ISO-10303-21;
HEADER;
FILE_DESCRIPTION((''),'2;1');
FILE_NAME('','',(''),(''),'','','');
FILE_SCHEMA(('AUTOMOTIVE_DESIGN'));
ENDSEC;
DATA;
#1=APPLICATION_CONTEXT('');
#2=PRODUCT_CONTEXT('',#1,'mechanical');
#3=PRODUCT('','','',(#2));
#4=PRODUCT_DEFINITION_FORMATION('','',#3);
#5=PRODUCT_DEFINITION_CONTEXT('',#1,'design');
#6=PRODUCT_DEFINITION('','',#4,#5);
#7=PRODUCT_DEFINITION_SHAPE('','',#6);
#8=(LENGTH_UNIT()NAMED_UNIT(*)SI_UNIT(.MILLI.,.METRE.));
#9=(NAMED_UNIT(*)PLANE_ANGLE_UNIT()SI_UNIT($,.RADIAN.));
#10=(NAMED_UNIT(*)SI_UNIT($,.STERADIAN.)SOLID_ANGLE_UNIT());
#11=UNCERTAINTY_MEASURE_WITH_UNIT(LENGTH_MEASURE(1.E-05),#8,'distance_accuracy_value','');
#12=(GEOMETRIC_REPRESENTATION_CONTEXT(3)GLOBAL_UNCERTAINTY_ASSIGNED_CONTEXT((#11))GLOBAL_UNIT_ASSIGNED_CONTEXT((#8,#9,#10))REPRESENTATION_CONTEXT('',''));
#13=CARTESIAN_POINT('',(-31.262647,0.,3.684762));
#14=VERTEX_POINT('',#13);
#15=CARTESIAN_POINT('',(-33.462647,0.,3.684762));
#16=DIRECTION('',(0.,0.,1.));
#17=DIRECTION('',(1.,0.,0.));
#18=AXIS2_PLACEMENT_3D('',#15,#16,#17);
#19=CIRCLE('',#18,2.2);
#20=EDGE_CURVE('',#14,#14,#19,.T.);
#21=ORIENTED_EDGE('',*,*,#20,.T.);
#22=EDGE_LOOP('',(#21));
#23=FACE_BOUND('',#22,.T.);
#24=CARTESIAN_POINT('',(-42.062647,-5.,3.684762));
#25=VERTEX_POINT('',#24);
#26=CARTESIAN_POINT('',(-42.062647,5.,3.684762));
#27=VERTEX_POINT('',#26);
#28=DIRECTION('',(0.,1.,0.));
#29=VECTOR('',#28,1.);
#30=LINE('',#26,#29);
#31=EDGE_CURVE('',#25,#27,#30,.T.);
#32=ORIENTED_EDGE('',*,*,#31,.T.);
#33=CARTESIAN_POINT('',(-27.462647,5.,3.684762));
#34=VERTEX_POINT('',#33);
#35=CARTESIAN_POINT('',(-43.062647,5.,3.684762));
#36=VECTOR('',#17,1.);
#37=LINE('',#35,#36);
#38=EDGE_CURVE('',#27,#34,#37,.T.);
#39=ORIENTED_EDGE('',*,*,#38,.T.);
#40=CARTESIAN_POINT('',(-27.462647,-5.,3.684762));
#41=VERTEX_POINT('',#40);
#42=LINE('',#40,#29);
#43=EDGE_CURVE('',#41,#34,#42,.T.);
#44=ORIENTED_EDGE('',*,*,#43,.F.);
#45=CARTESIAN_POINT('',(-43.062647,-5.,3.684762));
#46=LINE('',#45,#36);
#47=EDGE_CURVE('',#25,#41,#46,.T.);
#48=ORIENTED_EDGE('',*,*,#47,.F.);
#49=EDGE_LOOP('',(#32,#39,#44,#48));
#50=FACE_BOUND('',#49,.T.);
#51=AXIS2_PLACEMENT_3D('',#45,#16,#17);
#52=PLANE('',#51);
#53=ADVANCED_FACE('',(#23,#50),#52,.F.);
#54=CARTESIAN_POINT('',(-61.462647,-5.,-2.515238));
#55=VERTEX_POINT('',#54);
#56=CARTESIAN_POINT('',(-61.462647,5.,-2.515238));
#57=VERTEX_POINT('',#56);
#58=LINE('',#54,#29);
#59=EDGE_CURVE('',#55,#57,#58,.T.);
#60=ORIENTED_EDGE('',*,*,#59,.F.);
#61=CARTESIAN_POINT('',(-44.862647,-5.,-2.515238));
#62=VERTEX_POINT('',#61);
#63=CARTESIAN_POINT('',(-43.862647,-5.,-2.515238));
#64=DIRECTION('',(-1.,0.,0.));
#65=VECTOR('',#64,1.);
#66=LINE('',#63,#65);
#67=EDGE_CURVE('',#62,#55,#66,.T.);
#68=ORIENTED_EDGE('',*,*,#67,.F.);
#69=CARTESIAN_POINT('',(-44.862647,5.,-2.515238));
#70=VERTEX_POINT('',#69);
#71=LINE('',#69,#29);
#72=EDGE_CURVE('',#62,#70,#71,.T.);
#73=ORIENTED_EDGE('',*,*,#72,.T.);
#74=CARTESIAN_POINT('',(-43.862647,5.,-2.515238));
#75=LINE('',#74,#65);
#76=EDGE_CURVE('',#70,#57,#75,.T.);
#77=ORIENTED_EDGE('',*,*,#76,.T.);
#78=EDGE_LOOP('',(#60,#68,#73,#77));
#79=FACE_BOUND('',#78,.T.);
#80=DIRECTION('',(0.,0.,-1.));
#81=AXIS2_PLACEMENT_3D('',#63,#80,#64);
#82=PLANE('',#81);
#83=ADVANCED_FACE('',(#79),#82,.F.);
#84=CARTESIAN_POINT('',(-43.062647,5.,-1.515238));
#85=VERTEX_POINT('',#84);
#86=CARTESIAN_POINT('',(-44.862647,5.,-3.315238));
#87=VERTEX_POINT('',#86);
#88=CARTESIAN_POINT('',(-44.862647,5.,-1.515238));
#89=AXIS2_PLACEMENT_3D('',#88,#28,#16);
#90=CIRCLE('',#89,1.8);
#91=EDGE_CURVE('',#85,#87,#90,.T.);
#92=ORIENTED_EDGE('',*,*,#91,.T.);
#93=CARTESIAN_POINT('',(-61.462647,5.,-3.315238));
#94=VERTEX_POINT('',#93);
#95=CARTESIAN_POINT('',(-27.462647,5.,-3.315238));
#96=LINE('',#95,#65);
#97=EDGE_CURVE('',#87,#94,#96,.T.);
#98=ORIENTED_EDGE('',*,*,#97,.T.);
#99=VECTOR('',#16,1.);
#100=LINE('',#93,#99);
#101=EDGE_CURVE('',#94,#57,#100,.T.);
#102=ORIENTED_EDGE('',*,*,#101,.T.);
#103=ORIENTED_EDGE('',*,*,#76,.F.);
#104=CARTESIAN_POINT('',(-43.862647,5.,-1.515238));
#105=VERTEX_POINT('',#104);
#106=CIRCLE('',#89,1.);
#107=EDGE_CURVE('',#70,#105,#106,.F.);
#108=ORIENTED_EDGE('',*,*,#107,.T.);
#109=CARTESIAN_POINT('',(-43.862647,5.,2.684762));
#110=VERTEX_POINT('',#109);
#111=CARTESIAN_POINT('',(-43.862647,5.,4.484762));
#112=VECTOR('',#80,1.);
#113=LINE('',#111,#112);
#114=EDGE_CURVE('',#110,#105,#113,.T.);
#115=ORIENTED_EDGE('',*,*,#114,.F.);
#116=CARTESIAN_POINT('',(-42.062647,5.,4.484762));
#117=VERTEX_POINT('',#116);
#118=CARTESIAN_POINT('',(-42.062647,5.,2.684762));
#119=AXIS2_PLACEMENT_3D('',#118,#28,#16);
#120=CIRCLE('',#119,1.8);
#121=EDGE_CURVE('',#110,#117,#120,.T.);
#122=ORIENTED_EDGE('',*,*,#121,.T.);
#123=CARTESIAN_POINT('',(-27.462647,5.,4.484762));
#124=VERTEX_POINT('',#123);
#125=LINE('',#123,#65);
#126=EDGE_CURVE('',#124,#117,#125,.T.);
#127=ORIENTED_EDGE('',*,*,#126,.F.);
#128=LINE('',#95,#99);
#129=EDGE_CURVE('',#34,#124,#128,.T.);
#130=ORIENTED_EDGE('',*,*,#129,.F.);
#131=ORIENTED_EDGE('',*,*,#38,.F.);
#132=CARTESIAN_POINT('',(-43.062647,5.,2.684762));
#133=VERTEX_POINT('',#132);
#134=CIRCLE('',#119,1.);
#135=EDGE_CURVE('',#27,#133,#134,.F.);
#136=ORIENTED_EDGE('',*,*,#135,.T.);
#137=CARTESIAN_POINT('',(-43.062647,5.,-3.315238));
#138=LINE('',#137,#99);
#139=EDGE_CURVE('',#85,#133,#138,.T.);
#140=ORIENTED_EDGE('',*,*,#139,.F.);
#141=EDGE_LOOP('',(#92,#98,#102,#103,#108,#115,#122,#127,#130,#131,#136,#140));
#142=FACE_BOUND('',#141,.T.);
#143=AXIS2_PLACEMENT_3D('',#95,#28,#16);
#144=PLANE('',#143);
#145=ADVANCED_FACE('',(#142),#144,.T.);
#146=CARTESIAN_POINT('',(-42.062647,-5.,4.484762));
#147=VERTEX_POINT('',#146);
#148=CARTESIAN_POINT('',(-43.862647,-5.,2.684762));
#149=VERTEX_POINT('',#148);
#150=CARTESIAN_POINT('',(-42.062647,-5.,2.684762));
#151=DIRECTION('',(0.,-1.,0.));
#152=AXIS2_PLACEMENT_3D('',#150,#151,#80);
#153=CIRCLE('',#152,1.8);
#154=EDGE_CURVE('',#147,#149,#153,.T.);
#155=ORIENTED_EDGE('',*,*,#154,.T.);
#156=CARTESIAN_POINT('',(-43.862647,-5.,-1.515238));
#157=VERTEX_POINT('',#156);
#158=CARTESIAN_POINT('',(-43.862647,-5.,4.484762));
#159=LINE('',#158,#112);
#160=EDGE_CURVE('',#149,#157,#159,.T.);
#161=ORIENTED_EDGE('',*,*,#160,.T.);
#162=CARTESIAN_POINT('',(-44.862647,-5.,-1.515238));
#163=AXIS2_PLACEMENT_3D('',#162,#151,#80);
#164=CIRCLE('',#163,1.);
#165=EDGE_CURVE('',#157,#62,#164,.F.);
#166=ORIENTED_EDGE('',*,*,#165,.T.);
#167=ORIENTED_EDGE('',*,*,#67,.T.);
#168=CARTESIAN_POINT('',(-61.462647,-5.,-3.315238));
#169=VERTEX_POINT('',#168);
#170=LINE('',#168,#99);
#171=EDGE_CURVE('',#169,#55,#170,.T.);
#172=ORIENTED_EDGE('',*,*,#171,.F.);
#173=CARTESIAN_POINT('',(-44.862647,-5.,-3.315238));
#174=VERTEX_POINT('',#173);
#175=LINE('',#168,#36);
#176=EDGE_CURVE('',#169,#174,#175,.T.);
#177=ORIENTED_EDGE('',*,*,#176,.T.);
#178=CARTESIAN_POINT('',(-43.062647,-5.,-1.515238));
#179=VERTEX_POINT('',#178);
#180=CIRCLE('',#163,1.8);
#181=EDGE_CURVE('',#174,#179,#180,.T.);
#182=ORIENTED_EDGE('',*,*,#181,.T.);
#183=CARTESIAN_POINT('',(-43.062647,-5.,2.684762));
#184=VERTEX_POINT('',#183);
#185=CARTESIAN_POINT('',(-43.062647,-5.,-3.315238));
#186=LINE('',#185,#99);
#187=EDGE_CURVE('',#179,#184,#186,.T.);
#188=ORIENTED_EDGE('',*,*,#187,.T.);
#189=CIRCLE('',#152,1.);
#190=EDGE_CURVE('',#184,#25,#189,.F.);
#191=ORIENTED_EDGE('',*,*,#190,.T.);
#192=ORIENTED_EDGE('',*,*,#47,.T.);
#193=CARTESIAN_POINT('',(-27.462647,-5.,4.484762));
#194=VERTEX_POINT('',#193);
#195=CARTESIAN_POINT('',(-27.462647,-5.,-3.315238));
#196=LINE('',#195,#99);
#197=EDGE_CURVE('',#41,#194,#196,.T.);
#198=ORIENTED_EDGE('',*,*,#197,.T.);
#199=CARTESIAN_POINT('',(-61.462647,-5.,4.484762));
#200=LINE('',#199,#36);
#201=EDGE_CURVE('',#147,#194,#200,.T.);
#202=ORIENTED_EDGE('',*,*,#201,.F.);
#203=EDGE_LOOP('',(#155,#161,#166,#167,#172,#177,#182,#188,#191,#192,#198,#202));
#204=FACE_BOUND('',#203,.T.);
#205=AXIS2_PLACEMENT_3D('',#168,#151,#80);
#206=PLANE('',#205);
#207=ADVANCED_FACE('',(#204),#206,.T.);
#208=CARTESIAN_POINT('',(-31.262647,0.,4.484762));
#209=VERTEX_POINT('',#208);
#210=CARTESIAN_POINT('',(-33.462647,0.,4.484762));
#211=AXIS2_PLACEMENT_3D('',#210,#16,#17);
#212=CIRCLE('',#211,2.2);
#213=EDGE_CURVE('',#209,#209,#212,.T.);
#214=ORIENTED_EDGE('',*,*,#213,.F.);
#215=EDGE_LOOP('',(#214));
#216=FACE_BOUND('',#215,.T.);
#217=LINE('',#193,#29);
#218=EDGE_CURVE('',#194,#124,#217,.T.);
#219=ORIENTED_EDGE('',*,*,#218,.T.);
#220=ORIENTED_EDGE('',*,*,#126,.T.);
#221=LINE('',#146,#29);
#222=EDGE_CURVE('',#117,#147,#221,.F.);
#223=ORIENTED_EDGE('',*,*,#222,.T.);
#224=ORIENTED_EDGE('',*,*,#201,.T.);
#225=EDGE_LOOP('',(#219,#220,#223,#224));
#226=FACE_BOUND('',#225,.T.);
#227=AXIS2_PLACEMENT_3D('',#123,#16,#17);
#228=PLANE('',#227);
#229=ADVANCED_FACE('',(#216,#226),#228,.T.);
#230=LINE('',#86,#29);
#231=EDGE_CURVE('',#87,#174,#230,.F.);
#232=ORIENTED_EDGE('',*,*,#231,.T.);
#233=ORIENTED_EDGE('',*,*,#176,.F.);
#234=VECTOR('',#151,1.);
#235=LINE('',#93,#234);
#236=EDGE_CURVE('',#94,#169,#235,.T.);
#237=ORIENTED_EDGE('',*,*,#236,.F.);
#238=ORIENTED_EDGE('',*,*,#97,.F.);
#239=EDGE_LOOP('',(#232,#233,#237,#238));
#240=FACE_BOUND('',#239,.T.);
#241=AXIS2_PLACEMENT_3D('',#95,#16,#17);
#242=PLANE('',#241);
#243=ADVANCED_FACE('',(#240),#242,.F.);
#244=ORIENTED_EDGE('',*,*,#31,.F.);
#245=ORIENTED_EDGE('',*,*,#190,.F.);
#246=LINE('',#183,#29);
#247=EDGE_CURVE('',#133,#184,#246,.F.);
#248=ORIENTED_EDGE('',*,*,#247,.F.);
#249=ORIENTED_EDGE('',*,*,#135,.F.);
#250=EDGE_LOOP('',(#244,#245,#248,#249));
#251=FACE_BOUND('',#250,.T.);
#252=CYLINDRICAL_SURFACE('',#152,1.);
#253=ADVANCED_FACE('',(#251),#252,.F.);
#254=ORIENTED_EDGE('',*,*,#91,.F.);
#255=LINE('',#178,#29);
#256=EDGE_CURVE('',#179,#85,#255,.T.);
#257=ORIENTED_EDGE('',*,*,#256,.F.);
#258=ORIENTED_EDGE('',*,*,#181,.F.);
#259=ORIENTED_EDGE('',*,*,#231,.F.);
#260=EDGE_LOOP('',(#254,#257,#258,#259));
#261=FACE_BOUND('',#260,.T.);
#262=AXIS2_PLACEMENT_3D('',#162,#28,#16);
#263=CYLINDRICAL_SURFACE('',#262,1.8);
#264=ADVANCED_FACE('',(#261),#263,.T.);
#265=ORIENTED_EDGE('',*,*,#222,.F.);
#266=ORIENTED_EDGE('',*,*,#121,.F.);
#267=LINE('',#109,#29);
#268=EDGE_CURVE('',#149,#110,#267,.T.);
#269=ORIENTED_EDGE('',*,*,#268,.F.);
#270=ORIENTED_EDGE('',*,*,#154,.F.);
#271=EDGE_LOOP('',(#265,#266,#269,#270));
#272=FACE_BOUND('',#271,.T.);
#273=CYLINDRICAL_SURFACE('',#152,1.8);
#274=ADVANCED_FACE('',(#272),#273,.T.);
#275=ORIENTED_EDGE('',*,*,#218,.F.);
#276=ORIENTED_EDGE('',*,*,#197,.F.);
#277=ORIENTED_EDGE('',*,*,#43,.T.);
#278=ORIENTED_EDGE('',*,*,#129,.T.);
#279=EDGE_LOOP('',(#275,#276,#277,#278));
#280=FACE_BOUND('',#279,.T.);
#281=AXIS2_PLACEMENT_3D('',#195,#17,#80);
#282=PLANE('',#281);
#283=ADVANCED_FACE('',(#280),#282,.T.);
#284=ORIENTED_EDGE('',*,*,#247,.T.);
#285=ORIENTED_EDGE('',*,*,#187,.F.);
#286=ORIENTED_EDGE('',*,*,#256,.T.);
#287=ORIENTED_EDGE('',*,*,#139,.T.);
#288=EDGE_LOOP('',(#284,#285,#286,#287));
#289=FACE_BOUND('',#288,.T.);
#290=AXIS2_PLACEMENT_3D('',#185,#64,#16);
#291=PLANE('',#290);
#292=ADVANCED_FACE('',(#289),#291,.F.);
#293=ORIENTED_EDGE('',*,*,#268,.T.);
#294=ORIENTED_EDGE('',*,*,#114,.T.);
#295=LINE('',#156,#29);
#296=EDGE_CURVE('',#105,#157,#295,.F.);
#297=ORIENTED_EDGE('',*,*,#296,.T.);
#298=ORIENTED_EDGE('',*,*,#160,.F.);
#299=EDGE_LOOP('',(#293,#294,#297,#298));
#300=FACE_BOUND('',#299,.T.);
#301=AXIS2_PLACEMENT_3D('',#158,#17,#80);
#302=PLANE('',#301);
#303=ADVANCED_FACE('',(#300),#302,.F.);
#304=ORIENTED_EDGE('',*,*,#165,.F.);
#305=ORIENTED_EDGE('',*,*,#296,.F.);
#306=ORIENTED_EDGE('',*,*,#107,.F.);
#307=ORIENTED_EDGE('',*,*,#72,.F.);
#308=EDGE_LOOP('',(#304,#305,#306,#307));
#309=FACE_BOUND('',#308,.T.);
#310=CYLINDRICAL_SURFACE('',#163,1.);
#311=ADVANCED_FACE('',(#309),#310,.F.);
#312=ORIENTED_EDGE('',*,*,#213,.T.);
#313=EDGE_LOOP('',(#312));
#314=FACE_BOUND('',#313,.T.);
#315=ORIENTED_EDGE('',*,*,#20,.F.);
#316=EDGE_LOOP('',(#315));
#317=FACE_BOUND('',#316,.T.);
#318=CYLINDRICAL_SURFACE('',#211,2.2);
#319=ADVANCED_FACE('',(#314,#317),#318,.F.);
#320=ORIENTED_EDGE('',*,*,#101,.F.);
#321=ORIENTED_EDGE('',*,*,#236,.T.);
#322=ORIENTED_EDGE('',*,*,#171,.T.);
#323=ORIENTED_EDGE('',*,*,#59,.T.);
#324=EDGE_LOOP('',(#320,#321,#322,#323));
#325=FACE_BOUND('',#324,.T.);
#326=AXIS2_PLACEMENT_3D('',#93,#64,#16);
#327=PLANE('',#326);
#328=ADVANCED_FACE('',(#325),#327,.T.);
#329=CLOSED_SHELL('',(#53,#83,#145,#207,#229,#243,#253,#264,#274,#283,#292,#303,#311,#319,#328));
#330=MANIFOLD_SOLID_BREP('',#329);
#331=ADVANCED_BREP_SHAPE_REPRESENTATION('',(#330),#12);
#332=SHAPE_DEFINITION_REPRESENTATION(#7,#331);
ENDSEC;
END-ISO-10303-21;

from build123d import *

# Parameters (mm, degrees)
SKETCH1_W           = 34
SKETCH1_H           = 10
BOSS_EXTRUDE1_DEPTH = 7.8
SKETCH2_W           = 15.6
SKETCH2_H           = 7
CUT_EXTRUDE1_DEPTH  = 63.432123894
SKETCH3_W           = 17.6
SKETCH3_H           = 7
CUT_EXTRUDE2_DEPTH  = 63.432123894
HOLE1_D             = 4.4
HOLE1_DEPTH         = 7.8
FILLET1_R           = 1
FILLET2_R           = 1
FILLET3_R           = 1.8
FILLET4_R           = 1.8


with BuildPart() as part:
    # Sketch1 → Boss-Extrude1 (new body)
    with BuildSketch(Plane.XY.offset(4.484761641)):
        with Locations((-44.46264725, 0)):
            Rectangle(SKETCH1_W, SKETCH1_H)
    extrude(amount=-BOSS_EXTRUDE1_DEPTH)

    # Sketch2 → Cut-Extrude1 (cut, through all)
    with BuildSketch(Plane(origin=(0, 5, 0), x_dir=(-1, 0, 0), z_dir=(0, 1, 0))):
        with Locations((35.26264725, 0.184761641)):
            Rectangle(SKETCH2_W, SKETCH2_H)
    extrude(amount=-CUT_EXTRUDE1_DEPTH, mode=Mode.SUBTRACT)

    # Sketch3 → Cut-Extrude2 (cut, through all)
    with BuildSketch(Plane(origin=(0, 5, 0), x_dir=(-1, 0, 0), z_dir=(0, 1, 0))):
        with Locations((52.66264725, 0.984761641)):
            Rectangle(SKETCH3_W, SKETCH3_H)
    extrude(amount=-CUT_EXTRUDE2_DEPTH, mode=Mode.SUBTRACT)

    # Hole1
    with Locations(Plane.XY.offset(4.484761641)):
        with Locations((-33.46264725, 0)):
            Hole(HOLE1_D / 2, depth=HOLE1_DEPTH)

    # Fillet1
    fillet1_edges = [part.edges().sort_by_distance(p)[0] for p in [
        (-43.06264725, 0, 3.684761641),
    ]]
    fillet(fillet1_edges, radius=FILLET1_R)

    # Fillet2
    fillet2_edges = [part.edges().sort_by_distance(p)[0] for p in [
        (-43.86264725, 0, -2.515238359),
    ]]
    fillet(fillet2_edges, radius=FILLET2_R)

    # Fillet3
    fillet3_edges = [part.edges().sort_by_distance(p)[0] for p in [
        (-43.06264725, 0, -3.315238359),
    ]]
    fillet(fillet3_edges, radius=FILLET3_R)

    # Fillet4
    fillet4_edges = [part.edges().sort_by_distance(p)[0] for p in [
        (-43.86264725, 0, 4.484761641),
    ]]
    fillet(fillet4_edges, radius=FILLET4_R)


solid = part.part
